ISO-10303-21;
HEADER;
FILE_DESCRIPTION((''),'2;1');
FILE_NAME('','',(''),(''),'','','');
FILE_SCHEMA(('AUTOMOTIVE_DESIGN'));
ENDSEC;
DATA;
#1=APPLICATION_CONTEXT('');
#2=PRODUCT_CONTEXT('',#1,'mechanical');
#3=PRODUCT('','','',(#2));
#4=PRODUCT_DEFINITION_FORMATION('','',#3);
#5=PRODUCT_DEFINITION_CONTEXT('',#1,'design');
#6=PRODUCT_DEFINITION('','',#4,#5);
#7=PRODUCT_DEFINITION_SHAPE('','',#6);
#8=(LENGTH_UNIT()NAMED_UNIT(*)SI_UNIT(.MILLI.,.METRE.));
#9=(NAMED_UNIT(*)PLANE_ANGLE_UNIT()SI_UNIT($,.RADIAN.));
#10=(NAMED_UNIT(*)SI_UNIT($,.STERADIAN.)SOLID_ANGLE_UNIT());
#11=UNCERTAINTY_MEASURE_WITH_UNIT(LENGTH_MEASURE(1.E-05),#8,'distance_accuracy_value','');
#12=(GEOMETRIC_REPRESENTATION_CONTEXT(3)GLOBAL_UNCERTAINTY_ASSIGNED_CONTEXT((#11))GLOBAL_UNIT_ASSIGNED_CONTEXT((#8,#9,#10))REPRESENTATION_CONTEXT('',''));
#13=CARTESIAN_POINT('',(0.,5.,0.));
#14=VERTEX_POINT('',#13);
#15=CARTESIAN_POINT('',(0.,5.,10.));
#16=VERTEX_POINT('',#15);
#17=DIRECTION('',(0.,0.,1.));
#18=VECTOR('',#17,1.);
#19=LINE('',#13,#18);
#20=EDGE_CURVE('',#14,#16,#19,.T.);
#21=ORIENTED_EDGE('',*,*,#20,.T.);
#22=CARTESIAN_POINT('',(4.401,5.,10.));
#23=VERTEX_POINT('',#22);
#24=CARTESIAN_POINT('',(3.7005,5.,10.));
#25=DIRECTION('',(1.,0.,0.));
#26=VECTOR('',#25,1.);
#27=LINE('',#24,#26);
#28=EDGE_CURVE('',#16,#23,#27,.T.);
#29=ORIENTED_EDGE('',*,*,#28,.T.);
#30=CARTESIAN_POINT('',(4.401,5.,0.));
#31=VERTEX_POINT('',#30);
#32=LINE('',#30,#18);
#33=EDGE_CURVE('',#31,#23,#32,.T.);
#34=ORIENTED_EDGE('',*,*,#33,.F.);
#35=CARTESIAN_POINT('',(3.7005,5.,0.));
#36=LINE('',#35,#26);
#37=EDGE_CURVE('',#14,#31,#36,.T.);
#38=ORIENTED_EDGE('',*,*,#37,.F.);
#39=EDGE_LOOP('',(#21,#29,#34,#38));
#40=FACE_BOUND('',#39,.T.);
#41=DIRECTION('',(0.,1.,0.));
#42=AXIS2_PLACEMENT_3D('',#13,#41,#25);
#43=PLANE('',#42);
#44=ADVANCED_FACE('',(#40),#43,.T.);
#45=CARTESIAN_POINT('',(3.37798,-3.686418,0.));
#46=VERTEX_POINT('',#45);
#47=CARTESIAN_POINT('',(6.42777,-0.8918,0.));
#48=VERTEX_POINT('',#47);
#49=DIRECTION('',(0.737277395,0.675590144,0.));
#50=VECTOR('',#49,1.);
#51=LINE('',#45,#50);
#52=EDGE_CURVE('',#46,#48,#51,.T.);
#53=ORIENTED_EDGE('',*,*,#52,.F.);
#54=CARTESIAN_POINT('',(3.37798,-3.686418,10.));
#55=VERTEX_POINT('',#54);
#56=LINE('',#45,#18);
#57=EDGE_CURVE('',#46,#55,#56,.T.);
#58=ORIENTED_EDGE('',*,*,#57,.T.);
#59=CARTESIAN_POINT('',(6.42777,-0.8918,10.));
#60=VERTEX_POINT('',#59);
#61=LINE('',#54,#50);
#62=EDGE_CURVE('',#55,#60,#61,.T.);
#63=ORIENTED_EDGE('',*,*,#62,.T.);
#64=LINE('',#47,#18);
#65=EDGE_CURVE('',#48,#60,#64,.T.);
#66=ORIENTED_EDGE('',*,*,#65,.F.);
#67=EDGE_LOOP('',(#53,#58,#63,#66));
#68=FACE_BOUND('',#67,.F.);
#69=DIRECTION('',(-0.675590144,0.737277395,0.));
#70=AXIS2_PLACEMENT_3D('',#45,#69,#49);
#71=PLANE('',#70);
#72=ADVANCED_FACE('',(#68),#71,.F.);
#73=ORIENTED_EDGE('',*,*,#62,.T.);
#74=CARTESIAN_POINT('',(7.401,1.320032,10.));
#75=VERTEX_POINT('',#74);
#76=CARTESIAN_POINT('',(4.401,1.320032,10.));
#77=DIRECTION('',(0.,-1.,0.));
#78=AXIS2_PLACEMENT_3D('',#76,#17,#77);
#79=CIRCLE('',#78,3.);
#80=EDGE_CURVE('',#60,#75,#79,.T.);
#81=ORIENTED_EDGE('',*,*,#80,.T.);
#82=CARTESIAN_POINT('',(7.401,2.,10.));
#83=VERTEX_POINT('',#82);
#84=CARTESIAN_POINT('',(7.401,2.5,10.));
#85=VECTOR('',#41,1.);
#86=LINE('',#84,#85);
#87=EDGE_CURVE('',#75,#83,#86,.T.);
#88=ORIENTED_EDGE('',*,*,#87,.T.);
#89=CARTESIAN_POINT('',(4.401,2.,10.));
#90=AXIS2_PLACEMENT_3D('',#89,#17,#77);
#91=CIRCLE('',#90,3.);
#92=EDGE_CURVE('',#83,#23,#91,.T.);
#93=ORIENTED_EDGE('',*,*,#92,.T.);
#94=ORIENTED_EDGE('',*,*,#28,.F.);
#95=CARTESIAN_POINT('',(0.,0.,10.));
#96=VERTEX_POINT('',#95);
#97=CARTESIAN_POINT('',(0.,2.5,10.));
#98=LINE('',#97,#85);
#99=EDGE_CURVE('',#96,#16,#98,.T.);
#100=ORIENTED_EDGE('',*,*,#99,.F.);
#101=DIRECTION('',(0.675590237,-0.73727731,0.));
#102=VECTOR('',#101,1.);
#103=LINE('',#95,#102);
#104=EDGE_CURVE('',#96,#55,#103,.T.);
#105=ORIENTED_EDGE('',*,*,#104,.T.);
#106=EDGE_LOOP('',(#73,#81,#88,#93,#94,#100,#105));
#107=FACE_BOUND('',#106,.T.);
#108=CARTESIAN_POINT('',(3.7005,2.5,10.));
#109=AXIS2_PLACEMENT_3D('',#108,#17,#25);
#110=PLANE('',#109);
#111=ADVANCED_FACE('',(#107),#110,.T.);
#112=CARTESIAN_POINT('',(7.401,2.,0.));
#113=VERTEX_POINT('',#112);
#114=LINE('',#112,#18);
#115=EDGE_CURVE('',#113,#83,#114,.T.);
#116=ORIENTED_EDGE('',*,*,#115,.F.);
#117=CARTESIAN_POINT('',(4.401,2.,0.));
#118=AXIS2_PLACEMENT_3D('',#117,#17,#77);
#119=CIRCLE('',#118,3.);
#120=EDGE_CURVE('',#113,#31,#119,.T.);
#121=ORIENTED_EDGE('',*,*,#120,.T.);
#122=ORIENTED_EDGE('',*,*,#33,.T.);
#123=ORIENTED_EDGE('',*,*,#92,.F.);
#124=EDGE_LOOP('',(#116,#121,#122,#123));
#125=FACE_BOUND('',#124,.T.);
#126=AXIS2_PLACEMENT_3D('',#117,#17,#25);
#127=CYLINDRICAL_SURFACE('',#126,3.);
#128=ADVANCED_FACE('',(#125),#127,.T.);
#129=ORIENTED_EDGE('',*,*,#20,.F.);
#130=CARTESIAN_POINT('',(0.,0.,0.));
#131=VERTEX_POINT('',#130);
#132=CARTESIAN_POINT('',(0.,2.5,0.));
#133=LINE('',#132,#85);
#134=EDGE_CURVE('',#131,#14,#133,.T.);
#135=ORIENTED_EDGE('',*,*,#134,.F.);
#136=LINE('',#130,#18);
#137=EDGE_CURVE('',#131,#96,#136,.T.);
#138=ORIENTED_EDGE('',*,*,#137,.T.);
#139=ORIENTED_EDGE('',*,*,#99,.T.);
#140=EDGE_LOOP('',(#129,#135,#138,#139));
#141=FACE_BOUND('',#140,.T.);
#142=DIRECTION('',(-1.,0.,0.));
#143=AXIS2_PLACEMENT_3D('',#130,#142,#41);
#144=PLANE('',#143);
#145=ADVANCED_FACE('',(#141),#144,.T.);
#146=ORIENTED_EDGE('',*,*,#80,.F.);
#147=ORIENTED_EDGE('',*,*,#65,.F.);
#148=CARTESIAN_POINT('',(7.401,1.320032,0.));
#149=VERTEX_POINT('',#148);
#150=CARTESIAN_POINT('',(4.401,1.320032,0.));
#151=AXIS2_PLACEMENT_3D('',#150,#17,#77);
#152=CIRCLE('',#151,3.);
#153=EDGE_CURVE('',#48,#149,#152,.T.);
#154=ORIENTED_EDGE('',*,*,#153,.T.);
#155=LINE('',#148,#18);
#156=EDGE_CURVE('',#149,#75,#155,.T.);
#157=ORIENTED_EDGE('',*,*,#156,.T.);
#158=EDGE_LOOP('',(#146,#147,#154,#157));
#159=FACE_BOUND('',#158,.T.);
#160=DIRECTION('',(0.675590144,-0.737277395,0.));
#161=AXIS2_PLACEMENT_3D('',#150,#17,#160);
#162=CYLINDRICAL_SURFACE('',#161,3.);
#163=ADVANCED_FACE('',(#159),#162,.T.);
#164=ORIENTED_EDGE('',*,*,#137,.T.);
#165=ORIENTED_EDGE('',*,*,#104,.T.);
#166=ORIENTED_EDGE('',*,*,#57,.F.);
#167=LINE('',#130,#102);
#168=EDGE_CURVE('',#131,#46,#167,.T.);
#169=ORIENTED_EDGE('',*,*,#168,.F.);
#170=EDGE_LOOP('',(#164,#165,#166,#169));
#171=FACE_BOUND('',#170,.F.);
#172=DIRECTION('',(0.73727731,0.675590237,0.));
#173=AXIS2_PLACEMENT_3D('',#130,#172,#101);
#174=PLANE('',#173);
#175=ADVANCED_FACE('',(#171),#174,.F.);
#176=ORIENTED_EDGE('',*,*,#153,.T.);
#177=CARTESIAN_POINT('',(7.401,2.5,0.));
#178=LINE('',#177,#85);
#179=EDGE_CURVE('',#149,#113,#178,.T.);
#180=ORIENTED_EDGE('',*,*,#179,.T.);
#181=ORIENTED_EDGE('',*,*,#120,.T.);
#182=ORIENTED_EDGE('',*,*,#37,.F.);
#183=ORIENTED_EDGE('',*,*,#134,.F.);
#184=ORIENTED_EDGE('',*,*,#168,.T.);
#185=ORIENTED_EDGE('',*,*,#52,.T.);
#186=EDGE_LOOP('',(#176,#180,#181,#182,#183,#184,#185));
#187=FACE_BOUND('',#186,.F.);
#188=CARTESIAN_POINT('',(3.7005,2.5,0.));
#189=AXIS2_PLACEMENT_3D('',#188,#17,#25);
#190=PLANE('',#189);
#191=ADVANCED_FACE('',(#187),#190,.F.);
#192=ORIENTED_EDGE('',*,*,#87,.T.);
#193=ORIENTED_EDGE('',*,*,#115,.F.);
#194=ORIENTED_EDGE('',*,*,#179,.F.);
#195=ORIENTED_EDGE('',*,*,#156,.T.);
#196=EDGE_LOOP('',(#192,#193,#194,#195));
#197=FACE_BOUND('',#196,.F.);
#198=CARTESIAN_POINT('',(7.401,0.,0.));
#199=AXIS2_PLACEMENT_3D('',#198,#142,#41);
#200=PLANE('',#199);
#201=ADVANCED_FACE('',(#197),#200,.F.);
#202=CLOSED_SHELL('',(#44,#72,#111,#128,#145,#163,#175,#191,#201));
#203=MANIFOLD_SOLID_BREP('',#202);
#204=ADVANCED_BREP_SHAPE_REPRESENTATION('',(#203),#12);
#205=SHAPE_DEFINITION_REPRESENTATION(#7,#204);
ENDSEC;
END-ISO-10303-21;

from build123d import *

# Parameters (mm, degrees)
F0_W     = 7.401
F0_H     = 5
F1_DEPTH = 10
F2_R     = 3


with BuildPart() as f1:
    # F0 (on Top) → F1 (new body)
    with BuildSketch(Plane.XY):
        with Locations((3.7005, 2.5)):
            Rectangle(F0_W, F0_H)
        Polygon((7.401, 0), (0, 0), (3.37798, -3.686418), align=None)
    extrude(amount=F1_DEPTH)

    # F2
    f2_edges = [f1.edges().sort_by_distance(p)[0] for p in [
        (7.401, 5, 5),
        (7.401, 0, 5),
    ]]
    fillet(f2_edges, radius=F2_R)


solid = f1.part
